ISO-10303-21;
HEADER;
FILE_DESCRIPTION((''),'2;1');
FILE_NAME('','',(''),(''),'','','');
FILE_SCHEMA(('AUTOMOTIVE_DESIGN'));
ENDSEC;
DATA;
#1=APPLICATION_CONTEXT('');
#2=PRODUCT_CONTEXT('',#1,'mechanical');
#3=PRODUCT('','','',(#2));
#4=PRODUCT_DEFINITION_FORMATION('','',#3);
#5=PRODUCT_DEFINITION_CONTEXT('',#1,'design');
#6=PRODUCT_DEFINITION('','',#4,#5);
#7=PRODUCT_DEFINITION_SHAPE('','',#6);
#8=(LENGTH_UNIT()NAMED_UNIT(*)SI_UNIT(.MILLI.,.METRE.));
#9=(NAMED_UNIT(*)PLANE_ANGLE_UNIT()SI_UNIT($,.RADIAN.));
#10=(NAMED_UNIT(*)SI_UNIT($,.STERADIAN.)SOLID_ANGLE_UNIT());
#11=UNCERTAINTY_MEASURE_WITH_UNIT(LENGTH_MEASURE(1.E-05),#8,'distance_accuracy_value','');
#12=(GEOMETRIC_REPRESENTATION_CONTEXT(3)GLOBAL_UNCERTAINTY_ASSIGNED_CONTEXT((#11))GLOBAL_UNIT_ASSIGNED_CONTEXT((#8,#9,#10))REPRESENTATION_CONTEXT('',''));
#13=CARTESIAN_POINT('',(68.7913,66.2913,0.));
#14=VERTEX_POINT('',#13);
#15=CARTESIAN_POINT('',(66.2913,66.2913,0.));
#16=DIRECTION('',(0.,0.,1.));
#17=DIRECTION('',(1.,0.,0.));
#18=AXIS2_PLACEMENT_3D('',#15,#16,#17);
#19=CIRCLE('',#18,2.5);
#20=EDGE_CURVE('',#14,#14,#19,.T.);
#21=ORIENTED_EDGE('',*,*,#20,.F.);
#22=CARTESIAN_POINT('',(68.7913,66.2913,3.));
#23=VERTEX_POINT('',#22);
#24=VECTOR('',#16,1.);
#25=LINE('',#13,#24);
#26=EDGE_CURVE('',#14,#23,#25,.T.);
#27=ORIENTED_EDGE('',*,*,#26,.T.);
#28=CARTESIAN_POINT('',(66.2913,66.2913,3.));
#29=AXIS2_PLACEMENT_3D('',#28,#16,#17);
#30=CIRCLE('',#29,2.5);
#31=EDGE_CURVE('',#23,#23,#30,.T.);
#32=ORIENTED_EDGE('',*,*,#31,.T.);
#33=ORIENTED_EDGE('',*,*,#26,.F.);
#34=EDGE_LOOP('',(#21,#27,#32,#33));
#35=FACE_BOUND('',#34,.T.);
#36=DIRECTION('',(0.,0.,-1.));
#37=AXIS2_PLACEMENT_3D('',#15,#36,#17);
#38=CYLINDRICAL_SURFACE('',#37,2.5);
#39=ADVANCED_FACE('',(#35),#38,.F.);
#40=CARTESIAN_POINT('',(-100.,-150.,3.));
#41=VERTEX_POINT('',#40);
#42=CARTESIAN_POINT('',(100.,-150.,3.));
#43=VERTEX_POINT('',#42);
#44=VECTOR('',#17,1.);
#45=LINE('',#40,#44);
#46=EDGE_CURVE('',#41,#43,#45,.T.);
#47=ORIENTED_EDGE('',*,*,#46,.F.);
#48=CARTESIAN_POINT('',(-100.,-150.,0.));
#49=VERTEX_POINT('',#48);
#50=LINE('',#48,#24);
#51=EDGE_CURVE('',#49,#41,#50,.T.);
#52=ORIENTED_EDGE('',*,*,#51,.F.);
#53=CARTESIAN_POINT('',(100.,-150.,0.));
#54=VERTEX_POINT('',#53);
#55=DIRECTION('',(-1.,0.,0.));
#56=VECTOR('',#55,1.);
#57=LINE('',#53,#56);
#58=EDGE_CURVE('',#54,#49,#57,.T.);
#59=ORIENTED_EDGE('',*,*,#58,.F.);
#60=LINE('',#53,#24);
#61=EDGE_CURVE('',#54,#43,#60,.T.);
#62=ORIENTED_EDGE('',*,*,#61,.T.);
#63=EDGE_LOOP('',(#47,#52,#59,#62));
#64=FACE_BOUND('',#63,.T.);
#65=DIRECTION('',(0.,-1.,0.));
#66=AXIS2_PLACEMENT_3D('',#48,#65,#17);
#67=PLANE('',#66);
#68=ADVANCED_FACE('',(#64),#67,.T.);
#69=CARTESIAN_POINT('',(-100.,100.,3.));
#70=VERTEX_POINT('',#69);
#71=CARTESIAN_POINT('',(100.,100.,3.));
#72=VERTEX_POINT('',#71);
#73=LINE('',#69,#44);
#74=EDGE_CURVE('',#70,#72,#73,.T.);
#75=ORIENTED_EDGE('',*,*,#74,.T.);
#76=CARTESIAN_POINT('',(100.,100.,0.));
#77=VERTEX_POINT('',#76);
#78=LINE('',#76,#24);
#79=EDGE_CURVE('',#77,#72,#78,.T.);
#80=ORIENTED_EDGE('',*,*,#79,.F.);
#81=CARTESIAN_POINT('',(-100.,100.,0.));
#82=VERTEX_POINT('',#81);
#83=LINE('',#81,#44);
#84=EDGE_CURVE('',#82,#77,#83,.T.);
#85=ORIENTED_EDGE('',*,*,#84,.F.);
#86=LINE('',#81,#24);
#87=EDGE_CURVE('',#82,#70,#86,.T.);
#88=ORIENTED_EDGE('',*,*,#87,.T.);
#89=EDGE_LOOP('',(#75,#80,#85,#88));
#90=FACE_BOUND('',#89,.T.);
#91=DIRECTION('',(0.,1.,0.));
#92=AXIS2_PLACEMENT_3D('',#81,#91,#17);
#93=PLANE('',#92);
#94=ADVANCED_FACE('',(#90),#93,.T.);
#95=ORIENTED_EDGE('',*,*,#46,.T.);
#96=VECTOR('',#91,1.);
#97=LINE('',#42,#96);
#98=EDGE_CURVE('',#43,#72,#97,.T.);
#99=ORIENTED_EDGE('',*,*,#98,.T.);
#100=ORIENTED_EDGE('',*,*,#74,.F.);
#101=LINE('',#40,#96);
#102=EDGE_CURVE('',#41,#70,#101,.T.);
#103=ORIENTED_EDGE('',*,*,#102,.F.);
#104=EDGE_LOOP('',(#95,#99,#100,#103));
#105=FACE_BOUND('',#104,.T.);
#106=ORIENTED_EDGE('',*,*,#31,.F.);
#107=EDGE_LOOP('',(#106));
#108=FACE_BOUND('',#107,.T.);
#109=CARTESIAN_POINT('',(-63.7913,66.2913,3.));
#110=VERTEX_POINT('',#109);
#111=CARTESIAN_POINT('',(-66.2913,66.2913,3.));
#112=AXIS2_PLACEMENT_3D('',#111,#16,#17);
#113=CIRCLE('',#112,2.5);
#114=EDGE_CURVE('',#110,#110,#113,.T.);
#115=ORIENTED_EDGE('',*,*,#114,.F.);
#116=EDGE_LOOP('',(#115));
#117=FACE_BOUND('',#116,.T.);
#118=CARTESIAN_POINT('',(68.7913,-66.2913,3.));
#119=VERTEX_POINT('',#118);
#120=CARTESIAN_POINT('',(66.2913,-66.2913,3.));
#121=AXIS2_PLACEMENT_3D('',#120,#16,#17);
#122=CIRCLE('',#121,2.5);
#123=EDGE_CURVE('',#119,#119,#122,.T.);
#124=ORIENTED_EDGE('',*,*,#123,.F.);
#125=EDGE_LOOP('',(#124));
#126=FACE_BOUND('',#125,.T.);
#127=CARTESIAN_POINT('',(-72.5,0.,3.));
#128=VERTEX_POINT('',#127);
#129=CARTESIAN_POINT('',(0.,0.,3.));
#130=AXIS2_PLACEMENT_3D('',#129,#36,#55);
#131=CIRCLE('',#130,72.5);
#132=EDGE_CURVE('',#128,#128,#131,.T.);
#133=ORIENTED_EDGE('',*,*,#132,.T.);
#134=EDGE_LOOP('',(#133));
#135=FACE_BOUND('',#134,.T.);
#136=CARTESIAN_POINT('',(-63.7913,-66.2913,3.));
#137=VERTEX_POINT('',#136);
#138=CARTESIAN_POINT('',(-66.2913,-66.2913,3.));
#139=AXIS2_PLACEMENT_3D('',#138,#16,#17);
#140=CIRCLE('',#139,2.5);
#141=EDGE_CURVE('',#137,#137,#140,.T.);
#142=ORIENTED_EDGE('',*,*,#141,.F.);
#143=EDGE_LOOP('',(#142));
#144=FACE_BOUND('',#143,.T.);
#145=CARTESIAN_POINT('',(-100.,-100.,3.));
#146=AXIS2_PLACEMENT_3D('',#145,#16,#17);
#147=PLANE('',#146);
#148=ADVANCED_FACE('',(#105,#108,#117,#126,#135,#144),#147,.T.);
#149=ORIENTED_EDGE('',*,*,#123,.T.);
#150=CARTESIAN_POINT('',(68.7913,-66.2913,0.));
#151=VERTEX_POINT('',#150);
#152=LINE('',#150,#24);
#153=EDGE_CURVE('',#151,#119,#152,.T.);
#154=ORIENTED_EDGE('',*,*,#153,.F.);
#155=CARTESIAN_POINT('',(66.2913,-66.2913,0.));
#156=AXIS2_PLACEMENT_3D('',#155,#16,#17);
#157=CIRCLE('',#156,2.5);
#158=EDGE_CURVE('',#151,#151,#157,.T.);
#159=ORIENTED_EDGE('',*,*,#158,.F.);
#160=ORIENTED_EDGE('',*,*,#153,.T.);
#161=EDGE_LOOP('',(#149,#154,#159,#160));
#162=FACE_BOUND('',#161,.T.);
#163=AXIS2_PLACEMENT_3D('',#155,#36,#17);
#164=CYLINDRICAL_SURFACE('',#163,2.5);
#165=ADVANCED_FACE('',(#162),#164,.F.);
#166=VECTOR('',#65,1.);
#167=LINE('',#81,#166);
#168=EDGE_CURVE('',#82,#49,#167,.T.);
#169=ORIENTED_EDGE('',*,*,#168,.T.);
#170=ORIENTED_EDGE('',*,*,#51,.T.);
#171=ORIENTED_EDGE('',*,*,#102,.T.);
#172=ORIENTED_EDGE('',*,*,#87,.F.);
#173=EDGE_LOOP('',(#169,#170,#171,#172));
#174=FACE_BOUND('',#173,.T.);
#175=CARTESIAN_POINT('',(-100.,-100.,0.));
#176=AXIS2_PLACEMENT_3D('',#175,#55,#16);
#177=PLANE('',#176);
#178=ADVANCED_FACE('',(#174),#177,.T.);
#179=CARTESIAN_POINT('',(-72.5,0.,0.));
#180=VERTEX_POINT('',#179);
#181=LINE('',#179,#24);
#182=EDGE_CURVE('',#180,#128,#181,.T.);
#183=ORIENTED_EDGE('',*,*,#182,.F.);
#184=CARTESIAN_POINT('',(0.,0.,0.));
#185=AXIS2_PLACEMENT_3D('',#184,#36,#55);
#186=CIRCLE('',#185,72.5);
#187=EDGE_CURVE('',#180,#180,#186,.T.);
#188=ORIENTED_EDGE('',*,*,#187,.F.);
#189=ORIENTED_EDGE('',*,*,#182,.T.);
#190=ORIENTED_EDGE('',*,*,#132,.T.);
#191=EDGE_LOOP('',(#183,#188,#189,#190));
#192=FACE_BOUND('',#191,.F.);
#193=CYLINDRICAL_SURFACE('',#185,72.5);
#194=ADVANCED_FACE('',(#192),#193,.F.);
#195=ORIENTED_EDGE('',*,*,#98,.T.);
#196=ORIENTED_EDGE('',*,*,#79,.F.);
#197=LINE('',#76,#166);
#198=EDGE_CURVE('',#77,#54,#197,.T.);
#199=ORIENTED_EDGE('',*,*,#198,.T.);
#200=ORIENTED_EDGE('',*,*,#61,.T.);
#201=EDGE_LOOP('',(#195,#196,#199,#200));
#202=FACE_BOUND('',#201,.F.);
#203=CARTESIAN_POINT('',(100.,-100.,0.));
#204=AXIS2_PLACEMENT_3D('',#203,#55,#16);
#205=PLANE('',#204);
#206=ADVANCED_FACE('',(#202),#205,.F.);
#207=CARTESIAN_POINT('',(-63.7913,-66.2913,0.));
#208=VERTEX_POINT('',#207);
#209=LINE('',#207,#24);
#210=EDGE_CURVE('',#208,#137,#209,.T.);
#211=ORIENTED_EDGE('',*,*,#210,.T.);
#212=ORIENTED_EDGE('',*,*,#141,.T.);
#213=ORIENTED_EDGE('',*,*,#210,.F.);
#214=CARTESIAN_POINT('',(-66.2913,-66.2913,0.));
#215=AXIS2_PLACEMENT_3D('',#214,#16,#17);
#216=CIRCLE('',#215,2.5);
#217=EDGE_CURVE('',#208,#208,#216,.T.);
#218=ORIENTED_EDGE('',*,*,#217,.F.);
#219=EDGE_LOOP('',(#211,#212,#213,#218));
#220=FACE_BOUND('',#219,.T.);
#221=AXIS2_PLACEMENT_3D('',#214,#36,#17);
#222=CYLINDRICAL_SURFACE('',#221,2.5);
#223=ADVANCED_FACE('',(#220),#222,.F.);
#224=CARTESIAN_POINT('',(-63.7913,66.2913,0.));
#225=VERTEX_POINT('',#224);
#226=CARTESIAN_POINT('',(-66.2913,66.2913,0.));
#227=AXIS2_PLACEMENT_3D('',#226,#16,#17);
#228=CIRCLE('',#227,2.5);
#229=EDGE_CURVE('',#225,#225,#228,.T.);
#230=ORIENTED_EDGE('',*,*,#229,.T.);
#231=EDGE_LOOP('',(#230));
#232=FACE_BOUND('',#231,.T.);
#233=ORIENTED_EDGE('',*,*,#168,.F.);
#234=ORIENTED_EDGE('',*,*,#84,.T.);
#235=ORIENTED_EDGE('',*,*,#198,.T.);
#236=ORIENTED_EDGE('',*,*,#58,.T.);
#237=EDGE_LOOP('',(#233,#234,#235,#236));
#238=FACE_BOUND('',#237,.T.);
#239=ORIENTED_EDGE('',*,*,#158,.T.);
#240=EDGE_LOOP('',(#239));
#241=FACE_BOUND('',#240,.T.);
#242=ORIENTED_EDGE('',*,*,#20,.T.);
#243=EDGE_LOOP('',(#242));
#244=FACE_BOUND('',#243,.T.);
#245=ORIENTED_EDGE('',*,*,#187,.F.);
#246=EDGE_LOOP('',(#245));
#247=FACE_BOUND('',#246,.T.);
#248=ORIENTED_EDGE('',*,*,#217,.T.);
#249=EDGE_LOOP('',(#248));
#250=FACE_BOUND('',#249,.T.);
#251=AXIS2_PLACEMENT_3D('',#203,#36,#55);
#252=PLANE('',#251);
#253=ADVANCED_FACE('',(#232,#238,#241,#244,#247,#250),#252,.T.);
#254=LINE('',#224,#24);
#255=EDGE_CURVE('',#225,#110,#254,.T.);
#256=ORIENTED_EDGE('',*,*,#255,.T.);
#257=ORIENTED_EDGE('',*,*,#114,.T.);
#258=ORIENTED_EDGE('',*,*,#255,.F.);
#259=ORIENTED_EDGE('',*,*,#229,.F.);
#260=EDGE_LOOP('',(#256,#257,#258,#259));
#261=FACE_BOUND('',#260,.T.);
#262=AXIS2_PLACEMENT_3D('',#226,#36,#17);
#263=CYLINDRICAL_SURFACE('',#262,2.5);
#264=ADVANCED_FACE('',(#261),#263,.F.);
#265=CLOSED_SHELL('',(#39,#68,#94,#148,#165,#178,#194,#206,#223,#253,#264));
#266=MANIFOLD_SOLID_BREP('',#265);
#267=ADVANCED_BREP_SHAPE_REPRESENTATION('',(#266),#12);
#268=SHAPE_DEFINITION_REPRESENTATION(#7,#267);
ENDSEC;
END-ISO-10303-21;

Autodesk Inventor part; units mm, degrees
ref_plane "YZ Plane" through (0, 0, 0) normal (1, 0, 0) x (0, 1, 0)
ref_plane "XZ Plane" through (0, 0, 0) normal (0, 1, 0) x (-1, 0, 0)
ref_plane "XY Plane" through (0, 0, 0) normal (0, 0, 1) x (1, 0, 0)
sketch "スケッチ1" plane through (0, 0, 0) normal (0, 0, 1) x (1, 0, 0)
  line L0 (-100, 100) -> (100, 100)
  line L1 (100, 100) -> (100, -100)
  line L2 (100, -100) -> (-100, -100)
  line L3 (-100, -100) -> (-100, 100)
  line L4 (-100, 100) -> (100, -100) construction
  line L5 (100, 100) -> (-100, -100) construction
  circle A0 centre (0, 0) radius 93.75 construction
  circle A1 centre (-66.2913, 66.2913) radius 2.5
  circle A2 centre (66.2913, 66.2913) radius 2.5
  circle A3 centre (66.2913, -66.2913) radius 2.5
  circle A4 centre (-66.2913, -66.2913) radius 2.5
  dimension "d0" = 200
  dimension "d1" = 200
  dimension "d2" = 187.5
  dimension "d3" = 5
  dimension "d4" = 5
  dimension "d5" = 5
  dimension "d6" = 5
extrude "押し出し1" add sketch "スケッチ1" along normal blind 3
sketch "スケッチ2" plane through (0, 0, 0) normal (0, 0, -1) x (-1, 0, 0)
  circle A0 centre (0, 0) radius 72.5
  dimension "d9" = 145
extrude "押し出し2" cut sketch "スケッチ2" against normal blind 10
sketch "スケッチ3" plane through (0, 0, 3) normal (0, 0, 1) x (1, 0, 0)
  circle A0 centre (-66.2913, -66.2913) radius 2.5 projected
  circle A1 centre (66.2913, -66.2913) radius 2.5 projected
  point P0 (0, 0)
sketch "スケッチ4" plane through (-100, -100, 0) normal (0, -1, 0) x (1, 0, 0)
  line L0 (0, 0) -> (0, 3) projected
  line L1 (200, 0) -> (200, 3) projected
  line L2 (0, 3) -> (200, 3)
  line L3 (200, 3) -> (200, 0)
  line L4 (200, 0) -> (0, 0)
  line L5 (0, 0) -> (0, 3)
  point P0 (100, 0)
extrude "押し出し3" add sketch "スケッチ4" along normal blind 50
properties part number "ベアリング板" material "アルミニウム 6061"
